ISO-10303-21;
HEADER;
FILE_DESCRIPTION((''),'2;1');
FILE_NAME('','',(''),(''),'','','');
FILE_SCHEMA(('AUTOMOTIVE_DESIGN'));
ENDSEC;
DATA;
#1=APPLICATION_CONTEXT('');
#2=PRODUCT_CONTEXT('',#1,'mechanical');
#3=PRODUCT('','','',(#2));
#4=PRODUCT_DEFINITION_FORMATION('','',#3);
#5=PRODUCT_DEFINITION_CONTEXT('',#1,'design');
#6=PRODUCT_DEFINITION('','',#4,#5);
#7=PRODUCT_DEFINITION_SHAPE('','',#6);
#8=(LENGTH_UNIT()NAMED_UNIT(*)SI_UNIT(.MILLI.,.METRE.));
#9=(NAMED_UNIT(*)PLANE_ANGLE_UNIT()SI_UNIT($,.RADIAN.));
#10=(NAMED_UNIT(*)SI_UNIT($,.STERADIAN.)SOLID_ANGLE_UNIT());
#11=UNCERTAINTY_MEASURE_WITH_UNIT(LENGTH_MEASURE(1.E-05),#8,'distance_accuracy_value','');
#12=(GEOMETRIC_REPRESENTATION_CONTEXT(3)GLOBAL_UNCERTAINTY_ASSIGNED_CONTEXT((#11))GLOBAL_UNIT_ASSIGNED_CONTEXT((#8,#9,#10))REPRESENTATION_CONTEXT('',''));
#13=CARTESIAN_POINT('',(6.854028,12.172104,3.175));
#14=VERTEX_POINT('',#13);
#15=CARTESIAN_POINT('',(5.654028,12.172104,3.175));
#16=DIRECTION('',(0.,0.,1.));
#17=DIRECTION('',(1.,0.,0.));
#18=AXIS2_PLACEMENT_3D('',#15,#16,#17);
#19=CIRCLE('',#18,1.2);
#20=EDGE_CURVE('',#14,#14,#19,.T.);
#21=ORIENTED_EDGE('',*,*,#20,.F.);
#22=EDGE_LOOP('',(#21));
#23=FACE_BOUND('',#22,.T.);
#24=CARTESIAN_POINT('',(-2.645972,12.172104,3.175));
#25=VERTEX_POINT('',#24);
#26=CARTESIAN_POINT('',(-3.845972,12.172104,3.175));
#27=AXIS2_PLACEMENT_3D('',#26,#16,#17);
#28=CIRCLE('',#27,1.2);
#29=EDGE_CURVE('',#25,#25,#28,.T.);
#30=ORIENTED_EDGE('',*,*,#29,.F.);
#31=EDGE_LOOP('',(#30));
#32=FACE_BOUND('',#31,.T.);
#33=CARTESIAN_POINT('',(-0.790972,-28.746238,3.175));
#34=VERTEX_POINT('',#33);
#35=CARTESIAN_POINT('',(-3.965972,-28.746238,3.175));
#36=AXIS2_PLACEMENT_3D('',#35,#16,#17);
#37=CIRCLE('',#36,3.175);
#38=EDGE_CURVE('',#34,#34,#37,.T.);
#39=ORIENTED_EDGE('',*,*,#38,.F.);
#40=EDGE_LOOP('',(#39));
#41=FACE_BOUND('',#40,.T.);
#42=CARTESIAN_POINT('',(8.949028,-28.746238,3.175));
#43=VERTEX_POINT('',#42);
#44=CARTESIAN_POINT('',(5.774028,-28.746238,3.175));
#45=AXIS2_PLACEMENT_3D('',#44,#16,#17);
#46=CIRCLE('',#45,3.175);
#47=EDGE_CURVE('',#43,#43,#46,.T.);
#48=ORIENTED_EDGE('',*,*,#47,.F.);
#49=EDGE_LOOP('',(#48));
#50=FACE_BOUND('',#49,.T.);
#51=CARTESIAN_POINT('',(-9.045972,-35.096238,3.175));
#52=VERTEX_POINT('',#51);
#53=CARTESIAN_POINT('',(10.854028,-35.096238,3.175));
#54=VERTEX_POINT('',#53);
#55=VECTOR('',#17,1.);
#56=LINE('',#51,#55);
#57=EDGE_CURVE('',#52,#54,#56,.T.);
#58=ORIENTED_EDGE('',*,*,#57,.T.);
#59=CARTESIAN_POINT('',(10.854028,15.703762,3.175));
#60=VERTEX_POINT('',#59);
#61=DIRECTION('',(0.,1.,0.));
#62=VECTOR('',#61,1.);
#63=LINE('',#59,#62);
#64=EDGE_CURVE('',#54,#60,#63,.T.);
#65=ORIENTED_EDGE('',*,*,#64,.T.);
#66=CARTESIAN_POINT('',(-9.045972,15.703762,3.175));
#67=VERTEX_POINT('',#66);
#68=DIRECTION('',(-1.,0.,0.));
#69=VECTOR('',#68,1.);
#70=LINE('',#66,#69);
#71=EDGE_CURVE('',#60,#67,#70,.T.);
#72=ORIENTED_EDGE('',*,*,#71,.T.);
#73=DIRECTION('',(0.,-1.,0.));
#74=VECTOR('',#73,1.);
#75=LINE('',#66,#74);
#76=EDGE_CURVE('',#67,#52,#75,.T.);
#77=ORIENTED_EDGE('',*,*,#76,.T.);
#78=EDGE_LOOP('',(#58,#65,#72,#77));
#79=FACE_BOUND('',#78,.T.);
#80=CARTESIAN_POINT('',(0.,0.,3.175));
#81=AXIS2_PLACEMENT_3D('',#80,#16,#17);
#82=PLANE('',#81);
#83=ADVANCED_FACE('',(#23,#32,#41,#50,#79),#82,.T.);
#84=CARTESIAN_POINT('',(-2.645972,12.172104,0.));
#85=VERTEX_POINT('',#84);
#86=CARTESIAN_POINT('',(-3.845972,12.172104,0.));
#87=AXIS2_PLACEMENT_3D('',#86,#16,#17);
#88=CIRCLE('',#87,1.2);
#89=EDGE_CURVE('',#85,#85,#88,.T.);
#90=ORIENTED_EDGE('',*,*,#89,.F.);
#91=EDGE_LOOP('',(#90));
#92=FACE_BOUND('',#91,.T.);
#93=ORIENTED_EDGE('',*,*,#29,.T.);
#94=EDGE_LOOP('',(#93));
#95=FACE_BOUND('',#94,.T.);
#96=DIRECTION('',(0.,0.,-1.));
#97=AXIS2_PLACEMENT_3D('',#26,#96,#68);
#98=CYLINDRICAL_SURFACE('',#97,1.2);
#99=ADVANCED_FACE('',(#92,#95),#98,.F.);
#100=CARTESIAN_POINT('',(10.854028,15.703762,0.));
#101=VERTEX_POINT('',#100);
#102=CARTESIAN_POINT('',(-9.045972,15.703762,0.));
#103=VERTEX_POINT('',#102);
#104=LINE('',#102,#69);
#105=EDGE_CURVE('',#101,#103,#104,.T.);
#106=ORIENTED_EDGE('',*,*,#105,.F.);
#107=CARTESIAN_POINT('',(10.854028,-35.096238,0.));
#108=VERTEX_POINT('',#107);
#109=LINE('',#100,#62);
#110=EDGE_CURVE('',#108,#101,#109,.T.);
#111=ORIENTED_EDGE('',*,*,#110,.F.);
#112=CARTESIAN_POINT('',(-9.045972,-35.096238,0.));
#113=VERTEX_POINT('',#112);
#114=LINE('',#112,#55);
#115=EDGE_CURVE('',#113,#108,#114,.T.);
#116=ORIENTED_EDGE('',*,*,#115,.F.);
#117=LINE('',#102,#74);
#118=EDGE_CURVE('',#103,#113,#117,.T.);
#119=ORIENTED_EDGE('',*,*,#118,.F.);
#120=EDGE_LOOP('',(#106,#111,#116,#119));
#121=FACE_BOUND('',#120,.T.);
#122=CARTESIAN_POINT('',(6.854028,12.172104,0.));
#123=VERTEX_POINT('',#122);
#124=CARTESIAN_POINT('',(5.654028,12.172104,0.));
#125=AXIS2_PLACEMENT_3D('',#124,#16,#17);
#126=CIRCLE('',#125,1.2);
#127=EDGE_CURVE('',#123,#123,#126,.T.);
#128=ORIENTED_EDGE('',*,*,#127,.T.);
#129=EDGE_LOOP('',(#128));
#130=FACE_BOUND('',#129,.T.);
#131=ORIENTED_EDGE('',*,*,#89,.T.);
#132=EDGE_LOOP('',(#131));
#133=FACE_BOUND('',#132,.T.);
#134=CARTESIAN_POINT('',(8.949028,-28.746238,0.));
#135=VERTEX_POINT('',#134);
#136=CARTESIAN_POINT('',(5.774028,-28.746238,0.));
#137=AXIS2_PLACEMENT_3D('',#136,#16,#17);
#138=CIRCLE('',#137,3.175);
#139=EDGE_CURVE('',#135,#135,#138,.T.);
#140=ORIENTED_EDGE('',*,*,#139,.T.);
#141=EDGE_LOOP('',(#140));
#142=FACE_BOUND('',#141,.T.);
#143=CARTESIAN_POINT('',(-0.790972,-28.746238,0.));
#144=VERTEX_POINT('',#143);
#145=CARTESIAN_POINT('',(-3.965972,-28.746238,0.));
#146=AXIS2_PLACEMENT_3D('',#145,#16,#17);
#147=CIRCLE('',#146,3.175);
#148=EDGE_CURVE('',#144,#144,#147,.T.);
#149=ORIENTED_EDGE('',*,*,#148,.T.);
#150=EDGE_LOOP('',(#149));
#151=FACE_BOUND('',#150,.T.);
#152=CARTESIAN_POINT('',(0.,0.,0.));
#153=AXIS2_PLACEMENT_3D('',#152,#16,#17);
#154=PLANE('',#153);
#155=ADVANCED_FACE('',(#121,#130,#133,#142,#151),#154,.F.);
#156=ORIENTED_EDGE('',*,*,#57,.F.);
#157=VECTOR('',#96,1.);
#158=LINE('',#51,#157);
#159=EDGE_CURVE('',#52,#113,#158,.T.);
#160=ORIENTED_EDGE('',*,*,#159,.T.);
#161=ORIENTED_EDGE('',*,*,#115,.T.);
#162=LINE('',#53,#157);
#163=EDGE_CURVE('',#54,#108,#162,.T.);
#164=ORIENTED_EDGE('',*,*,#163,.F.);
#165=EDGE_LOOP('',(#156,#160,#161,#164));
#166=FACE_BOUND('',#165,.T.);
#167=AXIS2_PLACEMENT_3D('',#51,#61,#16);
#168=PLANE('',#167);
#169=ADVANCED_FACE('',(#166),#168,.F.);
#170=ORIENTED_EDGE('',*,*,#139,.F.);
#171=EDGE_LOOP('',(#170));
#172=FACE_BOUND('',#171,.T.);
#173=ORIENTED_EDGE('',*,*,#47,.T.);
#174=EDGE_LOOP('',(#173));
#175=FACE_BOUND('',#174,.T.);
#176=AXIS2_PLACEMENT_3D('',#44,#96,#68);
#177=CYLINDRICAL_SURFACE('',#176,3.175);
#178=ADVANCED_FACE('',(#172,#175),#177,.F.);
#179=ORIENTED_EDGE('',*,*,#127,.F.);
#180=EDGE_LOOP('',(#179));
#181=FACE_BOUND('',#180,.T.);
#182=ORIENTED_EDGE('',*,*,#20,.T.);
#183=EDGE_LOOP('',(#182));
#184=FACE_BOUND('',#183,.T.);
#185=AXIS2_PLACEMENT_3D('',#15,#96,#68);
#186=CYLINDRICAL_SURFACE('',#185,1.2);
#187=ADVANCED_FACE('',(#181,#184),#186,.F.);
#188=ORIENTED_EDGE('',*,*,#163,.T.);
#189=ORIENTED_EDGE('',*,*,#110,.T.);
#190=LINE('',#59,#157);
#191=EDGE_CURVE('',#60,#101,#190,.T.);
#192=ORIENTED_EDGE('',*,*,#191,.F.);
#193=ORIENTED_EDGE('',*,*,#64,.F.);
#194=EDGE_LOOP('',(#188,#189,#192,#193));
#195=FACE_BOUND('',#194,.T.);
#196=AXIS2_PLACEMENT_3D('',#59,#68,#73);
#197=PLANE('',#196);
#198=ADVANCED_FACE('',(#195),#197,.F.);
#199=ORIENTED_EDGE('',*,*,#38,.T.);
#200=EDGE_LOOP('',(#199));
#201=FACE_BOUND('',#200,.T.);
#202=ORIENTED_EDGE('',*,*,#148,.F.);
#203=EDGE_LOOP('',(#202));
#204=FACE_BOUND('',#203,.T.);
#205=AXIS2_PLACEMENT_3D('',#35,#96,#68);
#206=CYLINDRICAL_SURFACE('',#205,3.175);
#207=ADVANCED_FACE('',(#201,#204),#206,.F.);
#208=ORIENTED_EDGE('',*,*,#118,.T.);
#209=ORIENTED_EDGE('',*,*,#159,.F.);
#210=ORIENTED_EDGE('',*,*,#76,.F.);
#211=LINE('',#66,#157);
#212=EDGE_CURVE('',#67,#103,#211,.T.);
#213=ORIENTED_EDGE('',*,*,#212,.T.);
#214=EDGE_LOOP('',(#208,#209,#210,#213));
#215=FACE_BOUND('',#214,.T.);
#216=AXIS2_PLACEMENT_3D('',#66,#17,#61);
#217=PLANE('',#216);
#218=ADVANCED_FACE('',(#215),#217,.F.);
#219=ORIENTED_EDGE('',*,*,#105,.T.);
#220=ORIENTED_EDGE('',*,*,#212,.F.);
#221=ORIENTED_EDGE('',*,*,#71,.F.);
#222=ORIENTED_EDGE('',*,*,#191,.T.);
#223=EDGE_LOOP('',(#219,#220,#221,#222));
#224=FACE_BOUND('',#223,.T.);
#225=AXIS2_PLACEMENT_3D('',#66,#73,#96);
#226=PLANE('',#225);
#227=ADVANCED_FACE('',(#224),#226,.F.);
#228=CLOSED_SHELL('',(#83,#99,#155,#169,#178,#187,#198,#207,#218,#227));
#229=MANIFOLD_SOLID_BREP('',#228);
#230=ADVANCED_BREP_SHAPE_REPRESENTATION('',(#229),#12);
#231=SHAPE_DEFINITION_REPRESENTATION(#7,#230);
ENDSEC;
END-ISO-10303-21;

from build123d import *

# Parameters (mm, degrees)
SKETCH1_W           = 19.9
SKETCH1_H           = 50.8
SKETCH1_R           = 1.2
SKETCH1_R_2         = 3.175
BOSS_EXTRUDE1_DEPTH = 3.175


with BuildPart() as part:
    # Sketch1 → Boss-Extrude1 (new body)
    with BuildSketch(Plane.XY):
        with Locations((0.904028138, -9.696238371)):
            Rectangle(SKETCH1_W, SKETCH1_H)
        with Locations((-3.845971862, 12.17210412)):
            Circle(SKETCH1_R, mode=Mode.SUBTRACT)
        with Locations((5.654028138, 12.17210412)):
            Circle(SKETCH1_R, mode=Mode.SUBTRACT)
        with Locations((-3.965971862, -28.746238371)):
            Circle(SKETCH1_R_2, mode=Mode.SUBTRACT)
        with Locations((5.774028138, -28.746238371)):
            Circle(SKETCH1_R_2, mode=Mode.SUBTRACT)
    extrude(amount=BOSS_EXTRUDE1_DEPTH)


solid = part.part
